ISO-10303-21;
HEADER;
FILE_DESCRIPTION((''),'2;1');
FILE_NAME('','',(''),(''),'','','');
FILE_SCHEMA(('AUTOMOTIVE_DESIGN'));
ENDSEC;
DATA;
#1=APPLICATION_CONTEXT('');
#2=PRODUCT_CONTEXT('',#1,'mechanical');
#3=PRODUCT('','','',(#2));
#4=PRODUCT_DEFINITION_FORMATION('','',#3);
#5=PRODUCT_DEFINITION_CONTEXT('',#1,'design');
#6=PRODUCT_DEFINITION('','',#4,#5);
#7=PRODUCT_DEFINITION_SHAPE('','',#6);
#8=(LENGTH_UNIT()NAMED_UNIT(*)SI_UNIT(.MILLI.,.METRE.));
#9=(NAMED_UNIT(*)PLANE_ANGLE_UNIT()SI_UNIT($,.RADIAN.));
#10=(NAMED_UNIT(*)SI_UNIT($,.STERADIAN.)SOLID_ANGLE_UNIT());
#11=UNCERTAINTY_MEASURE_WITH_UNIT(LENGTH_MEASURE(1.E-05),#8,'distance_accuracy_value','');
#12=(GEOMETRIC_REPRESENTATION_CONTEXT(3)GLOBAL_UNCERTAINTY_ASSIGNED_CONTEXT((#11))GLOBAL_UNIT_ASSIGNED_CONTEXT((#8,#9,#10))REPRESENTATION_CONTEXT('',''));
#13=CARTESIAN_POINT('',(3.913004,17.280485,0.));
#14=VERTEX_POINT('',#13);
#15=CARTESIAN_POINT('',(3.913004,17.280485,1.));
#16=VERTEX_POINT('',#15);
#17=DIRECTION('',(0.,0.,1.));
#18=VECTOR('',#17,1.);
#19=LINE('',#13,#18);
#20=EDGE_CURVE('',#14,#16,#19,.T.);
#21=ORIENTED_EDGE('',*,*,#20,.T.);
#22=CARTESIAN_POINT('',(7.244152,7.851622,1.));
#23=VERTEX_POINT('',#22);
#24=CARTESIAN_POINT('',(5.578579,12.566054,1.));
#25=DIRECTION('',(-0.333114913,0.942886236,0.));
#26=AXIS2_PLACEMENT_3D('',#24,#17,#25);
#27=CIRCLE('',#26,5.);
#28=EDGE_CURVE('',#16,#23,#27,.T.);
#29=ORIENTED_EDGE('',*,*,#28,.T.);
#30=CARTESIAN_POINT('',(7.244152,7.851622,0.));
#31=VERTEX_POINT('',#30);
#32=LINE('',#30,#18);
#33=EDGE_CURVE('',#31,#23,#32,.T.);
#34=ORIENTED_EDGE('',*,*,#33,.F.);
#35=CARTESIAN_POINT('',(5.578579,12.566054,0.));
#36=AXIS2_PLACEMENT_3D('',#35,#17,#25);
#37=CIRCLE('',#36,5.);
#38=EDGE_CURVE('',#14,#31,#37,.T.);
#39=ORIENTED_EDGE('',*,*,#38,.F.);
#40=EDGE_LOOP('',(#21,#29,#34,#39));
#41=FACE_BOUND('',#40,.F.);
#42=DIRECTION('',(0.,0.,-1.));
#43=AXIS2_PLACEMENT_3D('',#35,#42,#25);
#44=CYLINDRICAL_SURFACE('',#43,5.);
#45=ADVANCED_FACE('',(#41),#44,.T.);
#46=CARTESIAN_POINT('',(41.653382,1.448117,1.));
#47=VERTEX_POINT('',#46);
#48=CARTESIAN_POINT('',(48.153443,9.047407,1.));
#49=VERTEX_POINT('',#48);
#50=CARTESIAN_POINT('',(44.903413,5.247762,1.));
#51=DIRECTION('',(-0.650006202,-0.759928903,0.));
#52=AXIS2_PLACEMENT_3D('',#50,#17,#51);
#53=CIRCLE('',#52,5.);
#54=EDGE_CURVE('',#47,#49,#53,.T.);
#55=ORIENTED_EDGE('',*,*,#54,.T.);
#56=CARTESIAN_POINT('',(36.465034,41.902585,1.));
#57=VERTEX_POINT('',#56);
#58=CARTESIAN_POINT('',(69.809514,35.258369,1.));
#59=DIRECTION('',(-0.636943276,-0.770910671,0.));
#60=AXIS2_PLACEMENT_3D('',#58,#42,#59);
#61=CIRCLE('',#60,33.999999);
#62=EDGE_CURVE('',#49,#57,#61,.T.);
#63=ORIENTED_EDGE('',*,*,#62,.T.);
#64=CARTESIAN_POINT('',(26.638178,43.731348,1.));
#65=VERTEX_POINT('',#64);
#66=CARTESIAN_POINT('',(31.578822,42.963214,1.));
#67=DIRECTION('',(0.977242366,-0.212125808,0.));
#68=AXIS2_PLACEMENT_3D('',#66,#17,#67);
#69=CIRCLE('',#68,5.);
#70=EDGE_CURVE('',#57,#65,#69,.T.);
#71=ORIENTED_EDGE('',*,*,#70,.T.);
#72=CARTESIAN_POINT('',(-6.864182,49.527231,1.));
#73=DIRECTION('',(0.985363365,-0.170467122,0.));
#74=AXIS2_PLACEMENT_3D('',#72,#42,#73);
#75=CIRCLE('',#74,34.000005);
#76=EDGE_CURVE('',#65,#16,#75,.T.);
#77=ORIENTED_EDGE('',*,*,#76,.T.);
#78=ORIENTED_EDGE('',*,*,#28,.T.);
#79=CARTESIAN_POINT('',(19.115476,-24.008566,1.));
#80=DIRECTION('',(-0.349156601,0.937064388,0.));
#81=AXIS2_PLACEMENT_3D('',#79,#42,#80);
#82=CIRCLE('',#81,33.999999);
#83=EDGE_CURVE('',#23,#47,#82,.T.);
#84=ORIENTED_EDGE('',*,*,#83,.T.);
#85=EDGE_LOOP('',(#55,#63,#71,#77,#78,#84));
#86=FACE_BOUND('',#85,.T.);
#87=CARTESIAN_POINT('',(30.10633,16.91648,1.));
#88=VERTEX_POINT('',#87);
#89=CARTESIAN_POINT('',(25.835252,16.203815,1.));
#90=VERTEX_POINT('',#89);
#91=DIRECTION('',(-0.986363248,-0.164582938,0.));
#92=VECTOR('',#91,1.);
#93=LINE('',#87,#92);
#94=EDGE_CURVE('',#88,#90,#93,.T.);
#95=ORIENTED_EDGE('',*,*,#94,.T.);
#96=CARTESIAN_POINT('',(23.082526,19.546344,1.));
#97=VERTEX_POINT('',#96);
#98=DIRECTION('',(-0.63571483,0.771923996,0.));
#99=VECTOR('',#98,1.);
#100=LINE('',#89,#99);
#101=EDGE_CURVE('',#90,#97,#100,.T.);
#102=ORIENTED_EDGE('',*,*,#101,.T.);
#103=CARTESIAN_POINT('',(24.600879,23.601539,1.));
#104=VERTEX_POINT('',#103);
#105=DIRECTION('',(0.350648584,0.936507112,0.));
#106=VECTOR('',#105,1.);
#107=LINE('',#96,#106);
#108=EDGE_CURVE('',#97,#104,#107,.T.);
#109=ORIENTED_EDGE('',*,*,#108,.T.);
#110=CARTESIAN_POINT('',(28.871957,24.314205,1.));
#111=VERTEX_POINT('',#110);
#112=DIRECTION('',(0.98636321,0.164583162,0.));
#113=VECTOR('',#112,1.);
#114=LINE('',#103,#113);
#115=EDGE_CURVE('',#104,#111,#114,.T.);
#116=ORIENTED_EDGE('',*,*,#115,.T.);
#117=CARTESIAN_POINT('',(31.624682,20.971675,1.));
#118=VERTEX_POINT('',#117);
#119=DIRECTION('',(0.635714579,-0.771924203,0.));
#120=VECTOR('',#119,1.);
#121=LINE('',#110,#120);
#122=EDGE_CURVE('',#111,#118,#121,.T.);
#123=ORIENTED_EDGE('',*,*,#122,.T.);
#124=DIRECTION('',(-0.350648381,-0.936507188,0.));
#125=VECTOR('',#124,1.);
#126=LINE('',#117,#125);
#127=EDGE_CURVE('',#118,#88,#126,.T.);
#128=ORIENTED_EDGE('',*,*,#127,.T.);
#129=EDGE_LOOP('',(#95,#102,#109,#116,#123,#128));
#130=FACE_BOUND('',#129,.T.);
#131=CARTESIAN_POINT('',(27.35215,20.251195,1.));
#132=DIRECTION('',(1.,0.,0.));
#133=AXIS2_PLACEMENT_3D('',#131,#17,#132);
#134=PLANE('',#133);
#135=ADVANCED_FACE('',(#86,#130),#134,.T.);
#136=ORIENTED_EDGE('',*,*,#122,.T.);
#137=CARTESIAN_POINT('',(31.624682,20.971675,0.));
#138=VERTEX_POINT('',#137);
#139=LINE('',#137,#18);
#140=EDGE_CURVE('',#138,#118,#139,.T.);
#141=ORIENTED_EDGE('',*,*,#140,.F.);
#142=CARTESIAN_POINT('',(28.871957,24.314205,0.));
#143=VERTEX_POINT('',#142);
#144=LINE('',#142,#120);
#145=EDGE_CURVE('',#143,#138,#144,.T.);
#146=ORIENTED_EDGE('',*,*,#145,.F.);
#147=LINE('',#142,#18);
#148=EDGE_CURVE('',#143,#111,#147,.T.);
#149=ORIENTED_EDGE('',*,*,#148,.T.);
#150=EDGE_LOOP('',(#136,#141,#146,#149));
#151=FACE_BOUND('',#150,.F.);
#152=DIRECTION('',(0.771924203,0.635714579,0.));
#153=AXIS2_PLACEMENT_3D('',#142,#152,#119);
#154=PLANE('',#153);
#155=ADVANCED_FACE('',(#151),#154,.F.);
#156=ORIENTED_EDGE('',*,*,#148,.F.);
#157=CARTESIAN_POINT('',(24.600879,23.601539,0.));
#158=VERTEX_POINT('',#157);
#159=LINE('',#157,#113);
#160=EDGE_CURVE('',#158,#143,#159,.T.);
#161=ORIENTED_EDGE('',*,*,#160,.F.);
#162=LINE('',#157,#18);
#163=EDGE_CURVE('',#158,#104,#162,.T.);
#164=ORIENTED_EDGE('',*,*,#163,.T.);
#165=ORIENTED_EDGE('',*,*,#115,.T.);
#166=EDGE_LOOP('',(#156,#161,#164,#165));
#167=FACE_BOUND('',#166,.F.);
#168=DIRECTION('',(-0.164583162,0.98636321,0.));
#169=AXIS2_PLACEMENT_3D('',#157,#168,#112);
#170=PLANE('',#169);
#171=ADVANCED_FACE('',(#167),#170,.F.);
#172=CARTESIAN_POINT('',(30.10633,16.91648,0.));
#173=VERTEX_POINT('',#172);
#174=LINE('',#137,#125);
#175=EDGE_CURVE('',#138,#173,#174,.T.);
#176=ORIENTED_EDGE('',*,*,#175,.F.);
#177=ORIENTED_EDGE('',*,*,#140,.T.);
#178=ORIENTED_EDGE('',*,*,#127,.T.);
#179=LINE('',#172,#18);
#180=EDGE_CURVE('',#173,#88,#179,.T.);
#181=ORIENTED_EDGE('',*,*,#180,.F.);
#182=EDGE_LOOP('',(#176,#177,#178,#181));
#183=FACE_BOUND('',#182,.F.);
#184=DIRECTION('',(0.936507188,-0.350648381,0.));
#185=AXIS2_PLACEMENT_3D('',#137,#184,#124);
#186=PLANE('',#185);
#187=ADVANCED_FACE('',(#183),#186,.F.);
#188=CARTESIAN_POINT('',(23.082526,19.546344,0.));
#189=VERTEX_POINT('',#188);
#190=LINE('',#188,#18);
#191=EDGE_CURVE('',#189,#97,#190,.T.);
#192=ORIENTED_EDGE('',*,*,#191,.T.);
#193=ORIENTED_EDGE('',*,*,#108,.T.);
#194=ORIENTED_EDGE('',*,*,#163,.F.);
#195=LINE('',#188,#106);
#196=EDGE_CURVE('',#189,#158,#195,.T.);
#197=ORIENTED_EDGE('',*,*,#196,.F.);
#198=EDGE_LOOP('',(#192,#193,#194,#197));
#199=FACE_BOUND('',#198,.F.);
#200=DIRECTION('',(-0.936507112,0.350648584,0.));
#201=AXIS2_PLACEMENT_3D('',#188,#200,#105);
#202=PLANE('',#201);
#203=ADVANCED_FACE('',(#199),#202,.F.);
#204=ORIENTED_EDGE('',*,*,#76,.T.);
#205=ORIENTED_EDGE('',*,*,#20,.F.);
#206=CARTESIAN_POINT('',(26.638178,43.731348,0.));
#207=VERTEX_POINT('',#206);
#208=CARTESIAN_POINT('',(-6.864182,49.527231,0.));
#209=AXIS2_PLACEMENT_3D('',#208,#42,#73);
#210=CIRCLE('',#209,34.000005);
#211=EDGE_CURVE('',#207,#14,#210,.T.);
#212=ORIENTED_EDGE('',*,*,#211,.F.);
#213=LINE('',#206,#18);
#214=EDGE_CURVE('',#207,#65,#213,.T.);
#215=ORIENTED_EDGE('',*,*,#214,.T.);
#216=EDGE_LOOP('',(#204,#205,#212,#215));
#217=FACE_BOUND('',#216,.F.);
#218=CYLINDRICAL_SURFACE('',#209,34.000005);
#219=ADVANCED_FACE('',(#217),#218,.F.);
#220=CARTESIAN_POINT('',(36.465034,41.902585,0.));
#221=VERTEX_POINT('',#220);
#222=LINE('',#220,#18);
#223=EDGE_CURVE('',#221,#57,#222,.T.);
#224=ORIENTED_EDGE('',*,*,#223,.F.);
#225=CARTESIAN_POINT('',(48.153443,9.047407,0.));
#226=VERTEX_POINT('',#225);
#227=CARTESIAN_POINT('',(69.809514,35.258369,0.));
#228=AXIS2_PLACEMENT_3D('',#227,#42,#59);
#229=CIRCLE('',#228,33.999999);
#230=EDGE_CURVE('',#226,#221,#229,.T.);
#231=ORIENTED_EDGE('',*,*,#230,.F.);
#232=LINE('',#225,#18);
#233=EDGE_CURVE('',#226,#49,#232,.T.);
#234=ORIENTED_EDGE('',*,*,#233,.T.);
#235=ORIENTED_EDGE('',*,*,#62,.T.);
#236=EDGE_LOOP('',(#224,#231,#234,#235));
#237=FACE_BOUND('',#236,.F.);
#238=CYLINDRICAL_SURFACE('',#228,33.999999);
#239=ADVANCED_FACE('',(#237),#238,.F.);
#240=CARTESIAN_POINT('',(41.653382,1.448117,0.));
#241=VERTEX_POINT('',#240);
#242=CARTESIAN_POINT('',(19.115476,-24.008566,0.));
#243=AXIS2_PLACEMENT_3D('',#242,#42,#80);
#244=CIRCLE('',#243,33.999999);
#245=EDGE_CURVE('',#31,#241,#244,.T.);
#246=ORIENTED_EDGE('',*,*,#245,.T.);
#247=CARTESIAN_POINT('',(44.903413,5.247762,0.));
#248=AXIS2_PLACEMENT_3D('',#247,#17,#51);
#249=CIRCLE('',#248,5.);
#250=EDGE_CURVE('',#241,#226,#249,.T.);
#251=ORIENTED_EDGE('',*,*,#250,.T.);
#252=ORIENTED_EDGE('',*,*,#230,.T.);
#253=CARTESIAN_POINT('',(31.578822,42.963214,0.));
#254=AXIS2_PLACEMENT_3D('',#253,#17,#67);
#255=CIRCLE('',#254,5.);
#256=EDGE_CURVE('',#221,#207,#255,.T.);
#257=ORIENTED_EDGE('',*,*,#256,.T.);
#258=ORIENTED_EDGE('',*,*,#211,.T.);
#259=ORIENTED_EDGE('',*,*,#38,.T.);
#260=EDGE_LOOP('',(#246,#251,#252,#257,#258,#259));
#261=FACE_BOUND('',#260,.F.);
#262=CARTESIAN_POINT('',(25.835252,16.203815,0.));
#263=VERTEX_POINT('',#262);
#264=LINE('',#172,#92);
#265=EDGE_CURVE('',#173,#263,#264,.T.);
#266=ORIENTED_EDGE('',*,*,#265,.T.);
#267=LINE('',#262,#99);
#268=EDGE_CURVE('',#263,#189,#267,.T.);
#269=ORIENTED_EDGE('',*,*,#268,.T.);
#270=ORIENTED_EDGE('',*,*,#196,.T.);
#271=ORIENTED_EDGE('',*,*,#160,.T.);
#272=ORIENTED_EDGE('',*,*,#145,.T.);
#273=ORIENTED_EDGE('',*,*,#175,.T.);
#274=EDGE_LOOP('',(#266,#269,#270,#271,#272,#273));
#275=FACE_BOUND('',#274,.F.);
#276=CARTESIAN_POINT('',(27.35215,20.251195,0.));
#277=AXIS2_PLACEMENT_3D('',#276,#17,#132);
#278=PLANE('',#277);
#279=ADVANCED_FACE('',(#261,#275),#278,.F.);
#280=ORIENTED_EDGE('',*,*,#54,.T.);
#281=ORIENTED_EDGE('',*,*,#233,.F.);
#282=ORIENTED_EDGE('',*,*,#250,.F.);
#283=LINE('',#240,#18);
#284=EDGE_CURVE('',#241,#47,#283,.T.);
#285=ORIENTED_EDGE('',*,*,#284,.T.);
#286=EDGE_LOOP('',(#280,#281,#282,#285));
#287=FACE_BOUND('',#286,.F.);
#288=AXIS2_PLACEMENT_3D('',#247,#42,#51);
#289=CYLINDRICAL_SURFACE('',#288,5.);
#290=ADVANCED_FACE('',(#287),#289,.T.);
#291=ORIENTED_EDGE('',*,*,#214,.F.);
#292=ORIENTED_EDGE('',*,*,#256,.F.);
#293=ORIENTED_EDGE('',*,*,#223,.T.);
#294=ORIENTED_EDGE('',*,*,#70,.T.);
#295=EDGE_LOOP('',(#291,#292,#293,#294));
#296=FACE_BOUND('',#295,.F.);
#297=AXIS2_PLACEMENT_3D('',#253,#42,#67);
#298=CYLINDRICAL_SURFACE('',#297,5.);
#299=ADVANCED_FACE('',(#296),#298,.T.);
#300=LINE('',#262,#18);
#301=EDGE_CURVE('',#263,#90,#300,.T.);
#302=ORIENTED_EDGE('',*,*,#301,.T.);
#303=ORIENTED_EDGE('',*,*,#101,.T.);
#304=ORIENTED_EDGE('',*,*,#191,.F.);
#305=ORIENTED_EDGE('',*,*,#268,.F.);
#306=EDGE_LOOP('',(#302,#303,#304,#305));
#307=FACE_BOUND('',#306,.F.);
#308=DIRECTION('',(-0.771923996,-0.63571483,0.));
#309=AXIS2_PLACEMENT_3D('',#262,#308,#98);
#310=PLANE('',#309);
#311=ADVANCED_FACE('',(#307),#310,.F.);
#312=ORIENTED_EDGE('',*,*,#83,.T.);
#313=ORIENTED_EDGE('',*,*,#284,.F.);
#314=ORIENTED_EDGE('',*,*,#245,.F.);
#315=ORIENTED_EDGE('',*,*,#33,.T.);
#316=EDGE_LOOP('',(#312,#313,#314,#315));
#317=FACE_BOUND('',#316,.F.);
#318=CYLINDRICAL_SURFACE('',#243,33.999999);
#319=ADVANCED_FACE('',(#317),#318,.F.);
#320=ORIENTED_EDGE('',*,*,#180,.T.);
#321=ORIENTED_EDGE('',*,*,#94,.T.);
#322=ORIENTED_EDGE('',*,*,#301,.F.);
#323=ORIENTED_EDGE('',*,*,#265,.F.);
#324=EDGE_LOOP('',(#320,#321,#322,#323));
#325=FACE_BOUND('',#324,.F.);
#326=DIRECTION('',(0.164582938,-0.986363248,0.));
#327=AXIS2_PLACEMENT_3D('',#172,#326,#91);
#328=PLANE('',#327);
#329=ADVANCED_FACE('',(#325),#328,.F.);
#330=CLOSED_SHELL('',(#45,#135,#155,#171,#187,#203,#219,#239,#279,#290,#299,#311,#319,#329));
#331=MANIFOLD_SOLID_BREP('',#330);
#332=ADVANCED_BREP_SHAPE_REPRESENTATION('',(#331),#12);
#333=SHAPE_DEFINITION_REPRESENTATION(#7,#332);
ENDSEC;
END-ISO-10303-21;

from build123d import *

# Parameters (mm, degrees)
F1_DEPTH = 1


with BuildPart() as f1:
    # F0 (on Top) → F1 (new body)
    with BuildSketch(Plane.XY):
        with BuildLine():
            ThreePointArc((7.244152, 7.851622), (25.336024, 9.417542), (41.653382, 1.448117))
            ThreePointArc((41.653382, 1.448117), (48.703058, 1.997731), (48.153443, 9.047407))
            ThreePointArc((48.153443, 9.047407), (37.776237, 23.862356), (36.465034, 41.902585))
            ThreePointArc((36.465034, 41.902585), (32.493609, 47.878818), (26.638178, 43.731348))
            ThreePointArc((26.638178, 43.731348), (18.924994, 27.370544), (3.913004, 17.280485))
            ThreePointArc((3.913004, 17.280485), (0.864147, 10.90048), (7.244152, 7.851622))
        make_face()
        Polygon((28.871957, 24.314205), (31.624682, 20.971675), (30.10633, 16.91648), (25.835252, 16.203815), (23.082526, 19.546344), (24.600879, 23.601539), align=None, mode=Mode.SUBTRACT)
    extrude(amount=F1_DEPTH)


solid = f1.part
